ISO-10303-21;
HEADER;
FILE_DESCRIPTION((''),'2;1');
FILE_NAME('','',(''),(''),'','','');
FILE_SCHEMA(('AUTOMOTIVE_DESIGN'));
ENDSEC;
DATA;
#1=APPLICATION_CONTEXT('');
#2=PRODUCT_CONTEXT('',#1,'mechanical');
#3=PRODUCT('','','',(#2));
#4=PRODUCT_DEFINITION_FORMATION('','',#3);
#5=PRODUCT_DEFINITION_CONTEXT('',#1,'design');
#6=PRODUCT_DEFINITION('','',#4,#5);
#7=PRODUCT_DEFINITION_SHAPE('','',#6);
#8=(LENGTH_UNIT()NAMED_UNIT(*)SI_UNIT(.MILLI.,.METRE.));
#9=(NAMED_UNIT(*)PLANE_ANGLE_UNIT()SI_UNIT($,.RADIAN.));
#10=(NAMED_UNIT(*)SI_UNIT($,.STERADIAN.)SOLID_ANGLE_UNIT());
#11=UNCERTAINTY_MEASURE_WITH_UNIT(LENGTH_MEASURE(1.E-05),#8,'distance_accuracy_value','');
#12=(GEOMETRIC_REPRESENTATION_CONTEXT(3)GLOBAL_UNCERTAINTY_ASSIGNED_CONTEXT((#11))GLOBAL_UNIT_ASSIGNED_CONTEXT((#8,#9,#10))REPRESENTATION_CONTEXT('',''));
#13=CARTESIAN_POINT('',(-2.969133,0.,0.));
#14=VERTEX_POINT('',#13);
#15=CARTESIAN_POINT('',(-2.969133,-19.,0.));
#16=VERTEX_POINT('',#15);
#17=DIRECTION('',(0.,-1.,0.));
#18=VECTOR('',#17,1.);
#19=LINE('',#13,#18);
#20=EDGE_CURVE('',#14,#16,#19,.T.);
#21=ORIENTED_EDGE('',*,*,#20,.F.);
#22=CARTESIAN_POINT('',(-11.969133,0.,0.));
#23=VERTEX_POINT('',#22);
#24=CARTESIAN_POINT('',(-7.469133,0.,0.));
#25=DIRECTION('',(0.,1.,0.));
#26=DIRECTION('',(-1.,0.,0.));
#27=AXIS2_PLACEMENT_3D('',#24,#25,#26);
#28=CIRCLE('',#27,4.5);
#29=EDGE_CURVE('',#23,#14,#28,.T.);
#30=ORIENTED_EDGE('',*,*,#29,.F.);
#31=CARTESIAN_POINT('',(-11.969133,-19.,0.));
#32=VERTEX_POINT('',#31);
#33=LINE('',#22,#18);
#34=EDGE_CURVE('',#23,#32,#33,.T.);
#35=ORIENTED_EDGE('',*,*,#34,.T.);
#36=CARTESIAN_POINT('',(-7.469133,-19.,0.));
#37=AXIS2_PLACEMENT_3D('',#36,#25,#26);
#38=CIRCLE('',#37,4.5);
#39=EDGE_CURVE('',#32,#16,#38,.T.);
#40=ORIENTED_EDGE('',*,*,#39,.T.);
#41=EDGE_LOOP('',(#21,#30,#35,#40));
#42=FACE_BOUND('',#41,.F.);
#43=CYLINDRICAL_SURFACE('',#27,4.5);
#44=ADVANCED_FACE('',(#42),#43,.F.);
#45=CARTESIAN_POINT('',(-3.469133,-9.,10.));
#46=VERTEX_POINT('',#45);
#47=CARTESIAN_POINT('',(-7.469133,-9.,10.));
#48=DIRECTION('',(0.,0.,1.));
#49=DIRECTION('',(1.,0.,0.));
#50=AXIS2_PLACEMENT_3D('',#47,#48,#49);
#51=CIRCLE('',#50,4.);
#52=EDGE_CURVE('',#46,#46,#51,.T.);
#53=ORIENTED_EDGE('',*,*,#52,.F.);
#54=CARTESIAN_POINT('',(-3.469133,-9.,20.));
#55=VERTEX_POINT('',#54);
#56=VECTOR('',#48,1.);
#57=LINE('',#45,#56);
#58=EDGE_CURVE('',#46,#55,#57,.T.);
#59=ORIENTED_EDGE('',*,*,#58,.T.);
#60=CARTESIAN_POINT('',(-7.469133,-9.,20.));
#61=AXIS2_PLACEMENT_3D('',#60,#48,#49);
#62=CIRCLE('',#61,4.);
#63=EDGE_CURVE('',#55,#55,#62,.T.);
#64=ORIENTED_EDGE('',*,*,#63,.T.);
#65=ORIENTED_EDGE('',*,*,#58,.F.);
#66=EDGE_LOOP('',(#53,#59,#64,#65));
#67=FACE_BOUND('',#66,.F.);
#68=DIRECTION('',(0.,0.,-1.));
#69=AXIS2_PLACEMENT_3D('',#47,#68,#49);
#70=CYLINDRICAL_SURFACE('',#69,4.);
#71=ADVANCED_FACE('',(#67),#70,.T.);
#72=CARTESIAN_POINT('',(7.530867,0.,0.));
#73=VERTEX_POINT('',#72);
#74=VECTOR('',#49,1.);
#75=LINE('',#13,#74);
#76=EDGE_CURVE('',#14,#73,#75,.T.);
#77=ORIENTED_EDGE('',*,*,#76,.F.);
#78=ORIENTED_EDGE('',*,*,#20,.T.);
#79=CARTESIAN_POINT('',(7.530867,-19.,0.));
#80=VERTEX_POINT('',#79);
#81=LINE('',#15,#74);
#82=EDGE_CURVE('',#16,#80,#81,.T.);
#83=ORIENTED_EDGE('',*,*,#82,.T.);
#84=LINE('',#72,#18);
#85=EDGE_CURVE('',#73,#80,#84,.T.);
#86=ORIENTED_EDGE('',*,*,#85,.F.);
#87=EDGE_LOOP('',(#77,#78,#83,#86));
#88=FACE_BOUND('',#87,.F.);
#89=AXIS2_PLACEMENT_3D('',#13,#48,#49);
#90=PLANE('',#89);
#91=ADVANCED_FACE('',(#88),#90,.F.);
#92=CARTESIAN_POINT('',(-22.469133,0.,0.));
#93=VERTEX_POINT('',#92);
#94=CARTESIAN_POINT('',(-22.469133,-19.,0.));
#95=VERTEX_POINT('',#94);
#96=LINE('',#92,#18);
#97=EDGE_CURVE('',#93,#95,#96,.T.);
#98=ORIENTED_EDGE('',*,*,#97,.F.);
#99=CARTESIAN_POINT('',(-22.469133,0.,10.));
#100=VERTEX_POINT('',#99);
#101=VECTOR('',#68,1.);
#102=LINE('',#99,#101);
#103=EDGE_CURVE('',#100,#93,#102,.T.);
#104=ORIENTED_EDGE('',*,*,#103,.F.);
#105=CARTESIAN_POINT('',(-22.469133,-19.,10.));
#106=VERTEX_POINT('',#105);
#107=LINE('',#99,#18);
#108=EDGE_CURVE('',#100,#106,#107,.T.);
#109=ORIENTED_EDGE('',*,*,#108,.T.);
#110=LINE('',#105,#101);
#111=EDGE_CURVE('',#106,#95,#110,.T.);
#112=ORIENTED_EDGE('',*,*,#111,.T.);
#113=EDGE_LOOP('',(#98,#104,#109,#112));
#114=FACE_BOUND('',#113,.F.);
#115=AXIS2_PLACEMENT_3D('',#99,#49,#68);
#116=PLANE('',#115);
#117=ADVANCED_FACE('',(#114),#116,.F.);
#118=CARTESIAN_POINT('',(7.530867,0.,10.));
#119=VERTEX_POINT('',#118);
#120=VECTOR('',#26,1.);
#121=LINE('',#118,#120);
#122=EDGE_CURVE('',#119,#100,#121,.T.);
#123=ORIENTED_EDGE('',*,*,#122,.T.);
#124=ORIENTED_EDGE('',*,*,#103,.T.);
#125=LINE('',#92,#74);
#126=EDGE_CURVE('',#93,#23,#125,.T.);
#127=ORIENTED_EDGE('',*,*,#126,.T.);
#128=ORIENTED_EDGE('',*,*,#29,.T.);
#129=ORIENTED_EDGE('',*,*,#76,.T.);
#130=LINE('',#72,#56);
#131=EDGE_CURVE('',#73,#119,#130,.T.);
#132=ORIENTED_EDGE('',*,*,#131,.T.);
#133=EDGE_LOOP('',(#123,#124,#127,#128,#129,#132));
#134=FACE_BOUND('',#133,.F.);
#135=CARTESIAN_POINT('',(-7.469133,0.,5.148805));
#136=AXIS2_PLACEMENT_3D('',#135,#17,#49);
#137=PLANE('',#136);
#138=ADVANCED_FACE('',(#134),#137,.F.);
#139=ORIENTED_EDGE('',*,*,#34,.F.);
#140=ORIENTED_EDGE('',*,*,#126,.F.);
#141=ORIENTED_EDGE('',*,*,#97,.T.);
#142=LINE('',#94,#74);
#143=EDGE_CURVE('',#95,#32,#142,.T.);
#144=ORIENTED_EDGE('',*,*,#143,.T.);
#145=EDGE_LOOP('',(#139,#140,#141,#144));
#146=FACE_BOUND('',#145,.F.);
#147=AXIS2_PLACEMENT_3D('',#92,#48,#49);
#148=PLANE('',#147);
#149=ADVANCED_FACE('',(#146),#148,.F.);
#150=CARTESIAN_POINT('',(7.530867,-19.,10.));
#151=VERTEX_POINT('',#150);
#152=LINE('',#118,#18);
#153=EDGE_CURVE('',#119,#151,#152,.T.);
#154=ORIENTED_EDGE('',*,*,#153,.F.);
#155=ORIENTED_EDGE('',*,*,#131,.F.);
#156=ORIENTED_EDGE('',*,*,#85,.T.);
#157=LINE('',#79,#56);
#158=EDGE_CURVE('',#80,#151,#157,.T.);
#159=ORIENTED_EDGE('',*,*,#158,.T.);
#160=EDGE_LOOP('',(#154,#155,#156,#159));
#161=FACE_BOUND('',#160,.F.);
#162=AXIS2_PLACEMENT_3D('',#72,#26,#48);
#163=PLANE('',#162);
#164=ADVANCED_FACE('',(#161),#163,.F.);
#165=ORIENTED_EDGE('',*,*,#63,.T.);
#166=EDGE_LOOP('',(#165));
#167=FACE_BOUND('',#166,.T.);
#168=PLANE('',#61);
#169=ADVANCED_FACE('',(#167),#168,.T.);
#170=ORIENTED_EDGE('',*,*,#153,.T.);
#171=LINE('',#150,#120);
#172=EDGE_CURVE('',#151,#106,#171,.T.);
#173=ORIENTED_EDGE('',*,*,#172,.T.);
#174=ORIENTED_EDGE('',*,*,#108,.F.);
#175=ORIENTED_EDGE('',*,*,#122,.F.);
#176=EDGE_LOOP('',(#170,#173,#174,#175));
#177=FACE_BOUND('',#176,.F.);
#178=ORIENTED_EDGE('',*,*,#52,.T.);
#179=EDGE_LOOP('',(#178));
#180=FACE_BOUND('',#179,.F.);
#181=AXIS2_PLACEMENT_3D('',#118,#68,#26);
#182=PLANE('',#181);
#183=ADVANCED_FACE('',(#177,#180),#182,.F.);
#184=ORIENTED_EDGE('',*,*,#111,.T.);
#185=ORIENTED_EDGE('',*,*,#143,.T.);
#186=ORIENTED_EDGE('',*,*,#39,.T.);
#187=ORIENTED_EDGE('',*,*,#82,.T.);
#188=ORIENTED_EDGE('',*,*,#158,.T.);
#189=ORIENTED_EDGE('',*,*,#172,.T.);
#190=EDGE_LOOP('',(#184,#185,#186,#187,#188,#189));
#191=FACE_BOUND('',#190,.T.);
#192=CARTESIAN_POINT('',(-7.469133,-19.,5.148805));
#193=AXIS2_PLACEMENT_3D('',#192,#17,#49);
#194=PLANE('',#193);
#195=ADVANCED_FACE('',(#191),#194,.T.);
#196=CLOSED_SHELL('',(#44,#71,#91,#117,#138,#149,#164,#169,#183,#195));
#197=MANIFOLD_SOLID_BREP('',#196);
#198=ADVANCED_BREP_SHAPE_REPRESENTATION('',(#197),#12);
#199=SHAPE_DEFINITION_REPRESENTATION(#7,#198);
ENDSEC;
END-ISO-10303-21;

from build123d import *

# Parameters (mm, degrees)
F1_DEPTH = 19
F2_R     = 4
F3_DEPTH = 10


with BuildPart() as f1:
    # F0 (on Front) → F1 (new body)
    with BuildSketch(Plane.XZ):
        with BuildLine():
            Line((7.530867, 10), (-22.469133, 10))
            Line((-22.469133, 10), (-22.469133, 0))
            Line((-22.469133, 0), (-11.969133, 0))
            ThreePointArc((-11.969133, 0), (-7.469133, 4.5), (-2.969133, 0))
            Line((-2.969133, 0), (7.530867, 0))
            Line((7.530867, 0), (7.530867, 10))
        make_face()
    extrude(amount=F1_DEPTH)

    # F2 (on face) → F3 (join)
    with BuildSketch(Plane.XY.offset(10)):
        with Locations((-7.469133, -9)):
            Circle(F2_R)
    extrude(amount=F3_DEPTH)


solid = f1.part
